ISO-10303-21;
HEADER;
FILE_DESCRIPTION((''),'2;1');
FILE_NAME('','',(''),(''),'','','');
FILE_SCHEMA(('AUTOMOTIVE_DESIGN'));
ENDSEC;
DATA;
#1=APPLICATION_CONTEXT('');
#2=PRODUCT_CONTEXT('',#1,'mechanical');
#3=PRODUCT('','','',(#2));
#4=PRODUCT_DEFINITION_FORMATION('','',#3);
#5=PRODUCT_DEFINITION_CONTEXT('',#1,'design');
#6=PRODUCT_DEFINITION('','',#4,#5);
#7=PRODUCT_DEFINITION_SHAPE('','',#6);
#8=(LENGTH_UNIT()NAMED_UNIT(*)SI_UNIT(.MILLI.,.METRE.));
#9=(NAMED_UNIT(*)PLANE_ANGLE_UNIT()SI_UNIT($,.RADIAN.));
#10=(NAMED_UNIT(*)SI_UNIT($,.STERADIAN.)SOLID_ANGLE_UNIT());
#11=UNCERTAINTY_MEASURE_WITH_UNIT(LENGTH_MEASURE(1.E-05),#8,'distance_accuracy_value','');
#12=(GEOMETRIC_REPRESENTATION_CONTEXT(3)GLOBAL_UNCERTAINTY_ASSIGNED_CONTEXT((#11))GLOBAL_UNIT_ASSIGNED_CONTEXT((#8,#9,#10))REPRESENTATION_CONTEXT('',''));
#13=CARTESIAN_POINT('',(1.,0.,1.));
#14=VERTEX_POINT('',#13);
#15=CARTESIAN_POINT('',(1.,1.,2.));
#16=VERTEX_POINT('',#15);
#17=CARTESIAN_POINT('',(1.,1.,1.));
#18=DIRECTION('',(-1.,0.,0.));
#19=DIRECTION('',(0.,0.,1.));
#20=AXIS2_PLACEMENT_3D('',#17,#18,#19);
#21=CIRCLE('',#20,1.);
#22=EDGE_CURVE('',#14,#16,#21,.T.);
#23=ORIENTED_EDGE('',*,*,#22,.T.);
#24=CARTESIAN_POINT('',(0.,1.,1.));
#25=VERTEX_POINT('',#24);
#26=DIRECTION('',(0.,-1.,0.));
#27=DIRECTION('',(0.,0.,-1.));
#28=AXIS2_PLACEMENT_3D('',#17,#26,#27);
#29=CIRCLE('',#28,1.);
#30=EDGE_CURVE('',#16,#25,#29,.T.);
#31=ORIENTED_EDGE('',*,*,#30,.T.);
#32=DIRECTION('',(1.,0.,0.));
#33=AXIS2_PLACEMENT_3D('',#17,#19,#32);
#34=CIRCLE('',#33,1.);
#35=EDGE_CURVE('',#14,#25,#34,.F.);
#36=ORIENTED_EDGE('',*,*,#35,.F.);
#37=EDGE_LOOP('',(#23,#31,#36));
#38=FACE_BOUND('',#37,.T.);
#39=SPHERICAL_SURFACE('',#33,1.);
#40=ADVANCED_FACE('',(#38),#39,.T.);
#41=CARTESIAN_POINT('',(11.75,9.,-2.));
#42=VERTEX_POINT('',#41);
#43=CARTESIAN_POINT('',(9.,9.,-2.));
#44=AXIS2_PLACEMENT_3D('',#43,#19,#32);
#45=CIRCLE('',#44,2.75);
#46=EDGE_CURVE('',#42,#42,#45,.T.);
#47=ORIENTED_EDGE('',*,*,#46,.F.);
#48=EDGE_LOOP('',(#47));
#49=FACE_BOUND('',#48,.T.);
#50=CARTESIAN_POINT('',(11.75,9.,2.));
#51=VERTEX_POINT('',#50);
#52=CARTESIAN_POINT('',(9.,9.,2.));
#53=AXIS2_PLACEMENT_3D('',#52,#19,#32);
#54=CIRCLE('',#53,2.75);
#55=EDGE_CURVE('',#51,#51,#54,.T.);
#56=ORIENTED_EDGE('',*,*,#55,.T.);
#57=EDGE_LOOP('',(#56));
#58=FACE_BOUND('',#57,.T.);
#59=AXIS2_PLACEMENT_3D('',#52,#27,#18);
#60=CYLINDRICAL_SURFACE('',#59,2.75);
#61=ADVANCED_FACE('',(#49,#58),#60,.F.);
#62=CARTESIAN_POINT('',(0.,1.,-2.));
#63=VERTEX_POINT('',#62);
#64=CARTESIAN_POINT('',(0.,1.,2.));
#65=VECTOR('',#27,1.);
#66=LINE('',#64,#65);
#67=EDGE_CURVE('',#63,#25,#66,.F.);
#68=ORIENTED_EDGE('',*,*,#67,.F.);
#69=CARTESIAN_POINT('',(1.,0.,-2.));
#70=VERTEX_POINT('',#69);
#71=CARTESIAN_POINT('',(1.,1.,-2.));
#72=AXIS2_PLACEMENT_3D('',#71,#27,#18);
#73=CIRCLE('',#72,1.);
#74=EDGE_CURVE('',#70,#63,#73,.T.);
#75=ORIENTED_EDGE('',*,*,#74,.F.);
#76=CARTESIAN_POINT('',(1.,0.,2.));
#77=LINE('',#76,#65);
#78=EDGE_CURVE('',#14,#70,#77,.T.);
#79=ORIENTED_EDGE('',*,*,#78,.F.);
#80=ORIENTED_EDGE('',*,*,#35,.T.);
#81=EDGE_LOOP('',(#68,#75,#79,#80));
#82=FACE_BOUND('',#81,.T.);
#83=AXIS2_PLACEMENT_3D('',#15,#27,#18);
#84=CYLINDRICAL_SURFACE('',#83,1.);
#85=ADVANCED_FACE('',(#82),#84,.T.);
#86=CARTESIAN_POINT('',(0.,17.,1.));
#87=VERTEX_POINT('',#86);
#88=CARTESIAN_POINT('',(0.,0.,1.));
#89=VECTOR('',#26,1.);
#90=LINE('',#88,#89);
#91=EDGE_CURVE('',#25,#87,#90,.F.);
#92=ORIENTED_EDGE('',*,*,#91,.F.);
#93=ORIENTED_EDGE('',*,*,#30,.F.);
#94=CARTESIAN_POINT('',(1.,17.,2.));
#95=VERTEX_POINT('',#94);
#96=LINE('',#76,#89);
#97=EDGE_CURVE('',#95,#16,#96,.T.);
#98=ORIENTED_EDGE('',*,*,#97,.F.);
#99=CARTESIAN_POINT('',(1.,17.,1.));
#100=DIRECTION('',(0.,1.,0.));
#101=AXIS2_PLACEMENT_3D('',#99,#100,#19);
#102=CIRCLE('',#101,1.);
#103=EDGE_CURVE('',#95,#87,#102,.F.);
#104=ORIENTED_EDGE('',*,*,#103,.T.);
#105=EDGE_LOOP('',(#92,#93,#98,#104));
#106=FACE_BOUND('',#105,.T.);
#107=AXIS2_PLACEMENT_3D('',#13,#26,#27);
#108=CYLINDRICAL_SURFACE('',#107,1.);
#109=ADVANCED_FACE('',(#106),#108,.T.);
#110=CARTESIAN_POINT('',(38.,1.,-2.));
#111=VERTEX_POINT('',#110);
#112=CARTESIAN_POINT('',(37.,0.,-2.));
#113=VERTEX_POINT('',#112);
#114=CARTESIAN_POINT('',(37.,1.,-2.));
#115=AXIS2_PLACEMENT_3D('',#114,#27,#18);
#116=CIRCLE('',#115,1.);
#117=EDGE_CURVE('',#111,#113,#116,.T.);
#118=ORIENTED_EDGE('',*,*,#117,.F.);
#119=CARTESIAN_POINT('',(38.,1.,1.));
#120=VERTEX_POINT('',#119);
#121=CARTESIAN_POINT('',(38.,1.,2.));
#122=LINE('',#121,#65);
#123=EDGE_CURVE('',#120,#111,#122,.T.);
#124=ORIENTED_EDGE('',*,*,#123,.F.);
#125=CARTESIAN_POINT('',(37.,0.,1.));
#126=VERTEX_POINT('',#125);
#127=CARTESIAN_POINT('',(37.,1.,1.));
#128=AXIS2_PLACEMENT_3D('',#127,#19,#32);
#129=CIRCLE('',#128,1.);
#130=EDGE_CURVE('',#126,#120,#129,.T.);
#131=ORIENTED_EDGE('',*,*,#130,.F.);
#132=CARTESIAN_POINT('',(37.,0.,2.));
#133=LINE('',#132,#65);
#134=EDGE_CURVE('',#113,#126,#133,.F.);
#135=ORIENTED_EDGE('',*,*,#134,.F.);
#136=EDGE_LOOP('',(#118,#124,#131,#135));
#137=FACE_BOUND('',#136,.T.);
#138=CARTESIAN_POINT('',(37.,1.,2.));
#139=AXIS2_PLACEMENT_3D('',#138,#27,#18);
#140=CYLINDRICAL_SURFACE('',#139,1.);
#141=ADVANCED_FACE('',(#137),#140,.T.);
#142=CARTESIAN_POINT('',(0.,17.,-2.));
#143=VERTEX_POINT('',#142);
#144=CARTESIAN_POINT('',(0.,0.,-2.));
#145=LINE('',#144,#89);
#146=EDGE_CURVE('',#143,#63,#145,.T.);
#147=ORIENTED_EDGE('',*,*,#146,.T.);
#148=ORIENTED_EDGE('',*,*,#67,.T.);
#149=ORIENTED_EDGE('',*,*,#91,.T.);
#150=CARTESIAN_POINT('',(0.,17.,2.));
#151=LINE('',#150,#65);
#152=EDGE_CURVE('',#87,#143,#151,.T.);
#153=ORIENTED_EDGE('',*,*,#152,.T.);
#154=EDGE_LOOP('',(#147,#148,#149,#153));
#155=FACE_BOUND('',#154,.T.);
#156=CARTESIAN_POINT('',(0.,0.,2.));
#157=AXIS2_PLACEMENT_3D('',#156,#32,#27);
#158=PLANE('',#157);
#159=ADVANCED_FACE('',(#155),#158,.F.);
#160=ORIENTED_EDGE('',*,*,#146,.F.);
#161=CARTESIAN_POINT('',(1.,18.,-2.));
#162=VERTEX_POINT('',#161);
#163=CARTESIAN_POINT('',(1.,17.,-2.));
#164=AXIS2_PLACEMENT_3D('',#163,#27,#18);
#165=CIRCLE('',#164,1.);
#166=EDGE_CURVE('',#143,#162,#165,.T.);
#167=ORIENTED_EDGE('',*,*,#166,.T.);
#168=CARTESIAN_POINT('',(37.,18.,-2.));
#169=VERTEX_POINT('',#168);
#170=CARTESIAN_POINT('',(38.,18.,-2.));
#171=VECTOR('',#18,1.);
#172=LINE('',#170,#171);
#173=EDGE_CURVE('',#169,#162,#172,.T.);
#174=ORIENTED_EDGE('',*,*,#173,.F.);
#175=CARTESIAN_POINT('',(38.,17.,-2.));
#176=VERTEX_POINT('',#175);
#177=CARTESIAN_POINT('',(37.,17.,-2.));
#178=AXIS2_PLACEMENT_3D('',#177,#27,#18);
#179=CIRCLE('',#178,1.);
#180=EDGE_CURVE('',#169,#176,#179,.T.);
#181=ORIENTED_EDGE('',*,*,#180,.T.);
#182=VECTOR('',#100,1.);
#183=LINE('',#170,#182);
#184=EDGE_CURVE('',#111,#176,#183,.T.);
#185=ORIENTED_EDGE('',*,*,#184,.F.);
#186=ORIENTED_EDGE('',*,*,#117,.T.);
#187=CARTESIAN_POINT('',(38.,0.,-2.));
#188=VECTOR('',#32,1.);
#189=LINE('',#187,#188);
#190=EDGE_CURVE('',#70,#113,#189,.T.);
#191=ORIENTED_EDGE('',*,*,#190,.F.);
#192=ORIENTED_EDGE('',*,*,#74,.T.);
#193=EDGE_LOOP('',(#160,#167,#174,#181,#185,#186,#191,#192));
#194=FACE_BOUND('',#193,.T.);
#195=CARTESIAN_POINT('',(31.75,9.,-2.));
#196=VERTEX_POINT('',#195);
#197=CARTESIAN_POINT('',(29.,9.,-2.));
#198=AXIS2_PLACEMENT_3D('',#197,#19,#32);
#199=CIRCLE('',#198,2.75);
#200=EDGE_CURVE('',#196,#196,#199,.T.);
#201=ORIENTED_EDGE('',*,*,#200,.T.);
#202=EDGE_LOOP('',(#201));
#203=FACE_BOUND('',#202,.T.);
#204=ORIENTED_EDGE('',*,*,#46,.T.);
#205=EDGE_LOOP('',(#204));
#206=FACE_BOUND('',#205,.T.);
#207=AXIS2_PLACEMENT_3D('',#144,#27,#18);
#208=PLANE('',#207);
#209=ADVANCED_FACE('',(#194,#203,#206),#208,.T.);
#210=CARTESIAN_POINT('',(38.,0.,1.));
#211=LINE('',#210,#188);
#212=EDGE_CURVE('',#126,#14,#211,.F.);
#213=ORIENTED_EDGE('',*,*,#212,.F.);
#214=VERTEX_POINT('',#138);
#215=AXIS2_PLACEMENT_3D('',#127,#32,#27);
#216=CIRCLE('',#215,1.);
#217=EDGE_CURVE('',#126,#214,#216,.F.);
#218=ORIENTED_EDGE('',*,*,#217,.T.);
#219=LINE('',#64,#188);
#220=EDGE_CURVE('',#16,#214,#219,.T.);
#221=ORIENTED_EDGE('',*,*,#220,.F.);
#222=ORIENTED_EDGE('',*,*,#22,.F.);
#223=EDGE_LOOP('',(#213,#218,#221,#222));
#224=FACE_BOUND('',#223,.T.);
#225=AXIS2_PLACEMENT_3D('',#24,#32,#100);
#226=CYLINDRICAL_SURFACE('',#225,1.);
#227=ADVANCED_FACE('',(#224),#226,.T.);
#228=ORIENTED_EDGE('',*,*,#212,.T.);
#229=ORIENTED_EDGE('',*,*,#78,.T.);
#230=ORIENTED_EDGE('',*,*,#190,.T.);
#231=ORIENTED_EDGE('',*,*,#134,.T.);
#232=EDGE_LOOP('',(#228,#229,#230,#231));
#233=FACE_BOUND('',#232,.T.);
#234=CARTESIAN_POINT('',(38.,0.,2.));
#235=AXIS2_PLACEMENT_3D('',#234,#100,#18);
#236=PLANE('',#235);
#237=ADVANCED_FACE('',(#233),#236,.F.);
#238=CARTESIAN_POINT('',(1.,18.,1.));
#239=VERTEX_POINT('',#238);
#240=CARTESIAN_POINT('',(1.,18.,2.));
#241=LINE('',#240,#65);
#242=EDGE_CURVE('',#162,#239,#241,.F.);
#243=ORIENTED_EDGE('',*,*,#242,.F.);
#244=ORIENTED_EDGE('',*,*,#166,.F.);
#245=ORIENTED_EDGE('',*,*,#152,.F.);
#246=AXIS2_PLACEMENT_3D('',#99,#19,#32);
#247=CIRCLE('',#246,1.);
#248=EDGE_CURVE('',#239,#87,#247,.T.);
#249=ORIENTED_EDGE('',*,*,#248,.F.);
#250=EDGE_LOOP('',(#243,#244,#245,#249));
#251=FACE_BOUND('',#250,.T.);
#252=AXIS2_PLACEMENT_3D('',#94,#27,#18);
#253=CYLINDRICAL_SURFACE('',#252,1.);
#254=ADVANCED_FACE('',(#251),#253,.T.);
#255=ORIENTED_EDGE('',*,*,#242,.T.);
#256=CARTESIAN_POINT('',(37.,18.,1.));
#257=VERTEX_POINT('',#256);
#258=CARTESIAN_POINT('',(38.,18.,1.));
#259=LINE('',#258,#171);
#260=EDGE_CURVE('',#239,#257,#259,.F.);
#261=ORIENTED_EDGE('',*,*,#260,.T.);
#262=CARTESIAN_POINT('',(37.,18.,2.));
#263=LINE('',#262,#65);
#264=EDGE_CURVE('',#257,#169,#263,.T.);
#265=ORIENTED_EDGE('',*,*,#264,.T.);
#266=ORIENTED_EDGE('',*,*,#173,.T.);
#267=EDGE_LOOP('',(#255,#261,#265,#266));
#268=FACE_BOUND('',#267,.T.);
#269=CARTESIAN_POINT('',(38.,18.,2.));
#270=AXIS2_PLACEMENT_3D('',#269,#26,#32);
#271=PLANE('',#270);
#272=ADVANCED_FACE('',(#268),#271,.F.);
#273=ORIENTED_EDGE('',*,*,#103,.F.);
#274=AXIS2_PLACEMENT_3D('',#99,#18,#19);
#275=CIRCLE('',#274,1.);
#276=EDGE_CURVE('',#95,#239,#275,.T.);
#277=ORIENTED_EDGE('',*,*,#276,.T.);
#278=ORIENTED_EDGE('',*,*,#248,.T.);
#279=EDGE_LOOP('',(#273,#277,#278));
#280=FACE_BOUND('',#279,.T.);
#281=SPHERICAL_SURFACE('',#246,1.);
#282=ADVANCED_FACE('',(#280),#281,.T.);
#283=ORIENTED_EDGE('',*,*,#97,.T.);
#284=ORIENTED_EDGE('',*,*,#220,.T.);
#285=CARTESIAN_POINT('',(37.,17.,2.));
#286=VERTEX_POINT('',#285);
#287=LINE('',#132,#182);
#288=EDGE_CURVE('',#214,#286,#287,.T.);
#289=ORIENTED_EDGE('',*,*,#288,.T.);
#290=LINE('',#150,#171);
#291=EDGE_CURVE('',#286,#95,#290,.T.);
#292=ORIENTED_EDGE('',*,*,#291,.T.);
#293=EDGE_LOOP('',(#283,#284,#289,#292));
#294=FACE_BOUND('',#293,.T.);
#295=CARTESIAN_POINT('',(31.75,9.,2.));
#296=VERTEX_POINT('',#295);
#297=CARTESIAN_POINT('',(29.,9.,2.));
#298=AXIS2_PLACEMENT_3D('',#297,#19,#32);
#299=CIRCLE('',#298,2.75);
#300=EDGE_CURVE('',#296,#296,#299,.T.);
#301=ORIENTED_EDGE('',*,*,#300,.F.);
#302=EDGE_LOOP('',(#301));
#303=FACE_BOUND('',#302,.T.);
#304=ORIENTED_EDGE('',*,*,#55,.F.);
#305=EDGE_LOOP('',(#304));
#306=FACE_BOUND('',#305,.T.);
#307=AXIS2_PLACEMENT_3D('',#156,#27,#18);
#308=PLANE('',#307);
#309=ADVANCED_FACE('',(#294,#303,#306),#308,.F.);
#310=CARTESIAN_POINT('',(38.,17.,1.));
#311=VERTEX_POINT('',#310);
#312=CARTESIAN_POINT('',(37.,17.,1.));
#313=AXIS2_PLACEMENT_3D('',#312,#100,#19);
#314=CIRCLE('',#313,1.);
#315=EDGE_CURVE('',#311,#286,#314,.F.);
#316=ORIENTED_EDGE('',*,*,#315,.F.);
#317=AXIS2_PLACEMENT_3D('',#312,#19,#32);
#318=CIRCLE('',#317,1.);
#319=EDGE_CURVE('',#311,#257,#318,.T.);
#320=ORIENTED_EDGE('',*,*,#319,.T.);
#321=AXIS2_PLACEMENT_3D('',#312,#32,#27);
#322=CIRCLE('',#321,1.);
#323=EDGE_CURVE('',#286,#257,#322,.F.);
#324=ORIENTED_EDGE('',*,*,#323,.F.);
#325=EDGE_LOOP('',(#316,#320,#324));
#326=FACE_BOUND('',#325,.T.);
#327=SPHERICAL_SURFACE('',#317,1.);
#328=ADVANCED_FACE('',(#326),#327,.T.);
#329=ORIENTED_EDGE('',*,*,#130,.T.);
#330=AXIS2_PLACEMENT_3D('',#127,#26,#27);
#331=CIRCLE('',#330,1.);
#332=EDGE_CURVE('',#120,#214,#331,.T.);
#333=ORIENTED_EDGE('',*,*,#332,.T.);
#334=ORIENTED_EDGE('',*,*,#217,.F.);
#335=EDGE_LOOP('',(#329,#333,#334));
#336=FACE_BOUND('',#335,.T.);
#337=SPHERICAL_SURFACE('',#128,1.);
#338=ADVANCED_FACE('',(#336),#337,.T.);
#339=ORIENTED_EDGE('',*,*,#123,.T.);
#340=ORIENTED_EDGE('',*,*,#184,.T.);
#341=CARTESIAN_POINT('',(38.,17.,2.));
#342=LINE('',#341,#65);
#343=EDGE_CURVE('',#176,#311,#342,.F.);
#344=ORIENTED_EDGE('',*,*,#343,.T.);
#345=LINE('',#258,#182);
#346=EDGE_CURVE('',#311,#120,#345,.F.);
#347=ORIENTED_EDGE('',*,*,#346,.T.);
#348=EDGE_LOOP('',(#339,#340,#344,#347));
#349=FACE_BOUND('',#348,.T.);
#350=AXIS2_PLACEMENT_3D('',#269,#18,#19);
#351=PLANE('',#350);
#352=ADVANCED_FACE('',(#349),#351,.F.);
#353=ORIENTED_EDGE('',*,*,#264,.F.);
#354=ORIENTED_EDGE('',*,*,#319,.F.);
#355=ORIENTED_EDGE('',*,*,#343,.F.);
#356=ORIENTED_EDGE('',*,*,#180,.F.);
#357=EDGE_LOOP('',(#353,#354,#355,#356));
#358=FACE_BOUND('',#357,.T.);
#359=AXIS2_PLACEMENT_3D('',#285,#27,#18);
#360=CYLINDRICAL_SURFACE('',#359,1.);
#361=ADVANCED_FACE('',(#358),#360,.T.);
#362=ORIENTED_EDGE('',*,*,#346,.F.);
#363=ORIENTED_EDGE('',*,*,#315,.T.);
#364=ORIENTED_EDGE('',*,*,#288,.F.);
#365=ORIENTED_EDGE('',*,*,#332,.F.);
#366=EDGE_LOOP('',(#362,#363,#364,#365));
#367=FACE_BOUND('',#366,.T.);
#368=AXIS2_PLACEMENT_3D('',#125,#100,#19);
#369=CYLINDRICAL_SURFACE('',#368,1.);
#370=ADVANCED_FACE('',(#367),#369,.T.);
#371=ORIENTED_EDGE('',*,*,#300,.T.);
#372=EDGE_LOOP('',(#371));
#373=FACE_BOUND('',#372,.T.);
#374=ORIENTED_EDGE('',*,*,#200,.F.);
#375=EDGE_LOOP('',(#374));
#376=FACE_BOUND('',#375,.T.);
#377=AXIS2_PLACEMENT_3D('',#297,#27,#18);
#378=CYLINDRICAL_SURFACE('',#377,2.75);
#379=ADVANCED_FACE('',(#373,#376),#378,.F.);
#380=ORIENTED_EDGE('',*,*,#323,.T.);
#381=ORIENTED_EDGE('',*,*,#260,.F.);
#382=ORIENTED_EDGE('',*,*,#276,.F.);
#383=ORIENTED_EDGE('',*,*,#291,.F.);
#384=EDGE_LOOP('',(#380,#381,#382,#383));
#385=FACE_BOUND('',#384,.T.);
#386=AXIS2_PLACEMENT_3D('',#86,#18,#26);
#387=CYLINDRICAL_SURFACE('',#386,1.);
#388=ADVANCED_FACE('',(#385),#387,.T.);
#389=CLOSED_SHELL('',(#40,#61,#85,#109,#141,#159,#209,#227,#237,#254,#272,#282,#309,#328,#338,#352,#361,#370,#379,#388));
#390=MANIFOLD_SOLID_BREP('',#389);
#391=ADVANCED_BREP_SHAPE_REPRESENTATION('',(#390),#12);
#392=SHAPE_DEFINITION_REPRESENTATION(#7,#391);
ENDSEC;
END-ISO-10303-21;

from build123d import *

# Parameters (mm, degrees)
SKETCH1_W           = 38
SKETCH1_H           = 18
SKETCH1_R           = 2.75
BOSS_EXTRUDE1_DEPTH = 2
FILLET1_R           = 1


with BuildPart() as part:
    # Sketch1 → Boss-Extrude1 (new, symmetric)
    with BuildSketch(Plane.XY):
        with Locations((19, 9)):
            Rectangle(SKETCH1_W, SKETCH1_H)
        with Locations((9, 9)):
            Circle(SKETCH1_R, mode=Mode.SUBTRACT)
        with Locations((29, 9)):
            Circle(SKETCH1_R, mode=Mode.SUBTRACT)
    extrude(amount=BOSS_EXTRUDE1_DEPTH, both=True)

    # Fillet1
    fillet1_edges = [part.edges().sort_by_distance(p)[0] for p in [
        (19, 18, 2),
        (0, 9, 2),
        (19, 0, 2),
        (38, 9, 2),
        (0, 0, 0),
        (0, 18, 0),
        (38, 18, 0),
        (38, 0, 0),
    ]]
    fillet(fillet1_edges, radius=FILLET1_R)


solid = part.part
